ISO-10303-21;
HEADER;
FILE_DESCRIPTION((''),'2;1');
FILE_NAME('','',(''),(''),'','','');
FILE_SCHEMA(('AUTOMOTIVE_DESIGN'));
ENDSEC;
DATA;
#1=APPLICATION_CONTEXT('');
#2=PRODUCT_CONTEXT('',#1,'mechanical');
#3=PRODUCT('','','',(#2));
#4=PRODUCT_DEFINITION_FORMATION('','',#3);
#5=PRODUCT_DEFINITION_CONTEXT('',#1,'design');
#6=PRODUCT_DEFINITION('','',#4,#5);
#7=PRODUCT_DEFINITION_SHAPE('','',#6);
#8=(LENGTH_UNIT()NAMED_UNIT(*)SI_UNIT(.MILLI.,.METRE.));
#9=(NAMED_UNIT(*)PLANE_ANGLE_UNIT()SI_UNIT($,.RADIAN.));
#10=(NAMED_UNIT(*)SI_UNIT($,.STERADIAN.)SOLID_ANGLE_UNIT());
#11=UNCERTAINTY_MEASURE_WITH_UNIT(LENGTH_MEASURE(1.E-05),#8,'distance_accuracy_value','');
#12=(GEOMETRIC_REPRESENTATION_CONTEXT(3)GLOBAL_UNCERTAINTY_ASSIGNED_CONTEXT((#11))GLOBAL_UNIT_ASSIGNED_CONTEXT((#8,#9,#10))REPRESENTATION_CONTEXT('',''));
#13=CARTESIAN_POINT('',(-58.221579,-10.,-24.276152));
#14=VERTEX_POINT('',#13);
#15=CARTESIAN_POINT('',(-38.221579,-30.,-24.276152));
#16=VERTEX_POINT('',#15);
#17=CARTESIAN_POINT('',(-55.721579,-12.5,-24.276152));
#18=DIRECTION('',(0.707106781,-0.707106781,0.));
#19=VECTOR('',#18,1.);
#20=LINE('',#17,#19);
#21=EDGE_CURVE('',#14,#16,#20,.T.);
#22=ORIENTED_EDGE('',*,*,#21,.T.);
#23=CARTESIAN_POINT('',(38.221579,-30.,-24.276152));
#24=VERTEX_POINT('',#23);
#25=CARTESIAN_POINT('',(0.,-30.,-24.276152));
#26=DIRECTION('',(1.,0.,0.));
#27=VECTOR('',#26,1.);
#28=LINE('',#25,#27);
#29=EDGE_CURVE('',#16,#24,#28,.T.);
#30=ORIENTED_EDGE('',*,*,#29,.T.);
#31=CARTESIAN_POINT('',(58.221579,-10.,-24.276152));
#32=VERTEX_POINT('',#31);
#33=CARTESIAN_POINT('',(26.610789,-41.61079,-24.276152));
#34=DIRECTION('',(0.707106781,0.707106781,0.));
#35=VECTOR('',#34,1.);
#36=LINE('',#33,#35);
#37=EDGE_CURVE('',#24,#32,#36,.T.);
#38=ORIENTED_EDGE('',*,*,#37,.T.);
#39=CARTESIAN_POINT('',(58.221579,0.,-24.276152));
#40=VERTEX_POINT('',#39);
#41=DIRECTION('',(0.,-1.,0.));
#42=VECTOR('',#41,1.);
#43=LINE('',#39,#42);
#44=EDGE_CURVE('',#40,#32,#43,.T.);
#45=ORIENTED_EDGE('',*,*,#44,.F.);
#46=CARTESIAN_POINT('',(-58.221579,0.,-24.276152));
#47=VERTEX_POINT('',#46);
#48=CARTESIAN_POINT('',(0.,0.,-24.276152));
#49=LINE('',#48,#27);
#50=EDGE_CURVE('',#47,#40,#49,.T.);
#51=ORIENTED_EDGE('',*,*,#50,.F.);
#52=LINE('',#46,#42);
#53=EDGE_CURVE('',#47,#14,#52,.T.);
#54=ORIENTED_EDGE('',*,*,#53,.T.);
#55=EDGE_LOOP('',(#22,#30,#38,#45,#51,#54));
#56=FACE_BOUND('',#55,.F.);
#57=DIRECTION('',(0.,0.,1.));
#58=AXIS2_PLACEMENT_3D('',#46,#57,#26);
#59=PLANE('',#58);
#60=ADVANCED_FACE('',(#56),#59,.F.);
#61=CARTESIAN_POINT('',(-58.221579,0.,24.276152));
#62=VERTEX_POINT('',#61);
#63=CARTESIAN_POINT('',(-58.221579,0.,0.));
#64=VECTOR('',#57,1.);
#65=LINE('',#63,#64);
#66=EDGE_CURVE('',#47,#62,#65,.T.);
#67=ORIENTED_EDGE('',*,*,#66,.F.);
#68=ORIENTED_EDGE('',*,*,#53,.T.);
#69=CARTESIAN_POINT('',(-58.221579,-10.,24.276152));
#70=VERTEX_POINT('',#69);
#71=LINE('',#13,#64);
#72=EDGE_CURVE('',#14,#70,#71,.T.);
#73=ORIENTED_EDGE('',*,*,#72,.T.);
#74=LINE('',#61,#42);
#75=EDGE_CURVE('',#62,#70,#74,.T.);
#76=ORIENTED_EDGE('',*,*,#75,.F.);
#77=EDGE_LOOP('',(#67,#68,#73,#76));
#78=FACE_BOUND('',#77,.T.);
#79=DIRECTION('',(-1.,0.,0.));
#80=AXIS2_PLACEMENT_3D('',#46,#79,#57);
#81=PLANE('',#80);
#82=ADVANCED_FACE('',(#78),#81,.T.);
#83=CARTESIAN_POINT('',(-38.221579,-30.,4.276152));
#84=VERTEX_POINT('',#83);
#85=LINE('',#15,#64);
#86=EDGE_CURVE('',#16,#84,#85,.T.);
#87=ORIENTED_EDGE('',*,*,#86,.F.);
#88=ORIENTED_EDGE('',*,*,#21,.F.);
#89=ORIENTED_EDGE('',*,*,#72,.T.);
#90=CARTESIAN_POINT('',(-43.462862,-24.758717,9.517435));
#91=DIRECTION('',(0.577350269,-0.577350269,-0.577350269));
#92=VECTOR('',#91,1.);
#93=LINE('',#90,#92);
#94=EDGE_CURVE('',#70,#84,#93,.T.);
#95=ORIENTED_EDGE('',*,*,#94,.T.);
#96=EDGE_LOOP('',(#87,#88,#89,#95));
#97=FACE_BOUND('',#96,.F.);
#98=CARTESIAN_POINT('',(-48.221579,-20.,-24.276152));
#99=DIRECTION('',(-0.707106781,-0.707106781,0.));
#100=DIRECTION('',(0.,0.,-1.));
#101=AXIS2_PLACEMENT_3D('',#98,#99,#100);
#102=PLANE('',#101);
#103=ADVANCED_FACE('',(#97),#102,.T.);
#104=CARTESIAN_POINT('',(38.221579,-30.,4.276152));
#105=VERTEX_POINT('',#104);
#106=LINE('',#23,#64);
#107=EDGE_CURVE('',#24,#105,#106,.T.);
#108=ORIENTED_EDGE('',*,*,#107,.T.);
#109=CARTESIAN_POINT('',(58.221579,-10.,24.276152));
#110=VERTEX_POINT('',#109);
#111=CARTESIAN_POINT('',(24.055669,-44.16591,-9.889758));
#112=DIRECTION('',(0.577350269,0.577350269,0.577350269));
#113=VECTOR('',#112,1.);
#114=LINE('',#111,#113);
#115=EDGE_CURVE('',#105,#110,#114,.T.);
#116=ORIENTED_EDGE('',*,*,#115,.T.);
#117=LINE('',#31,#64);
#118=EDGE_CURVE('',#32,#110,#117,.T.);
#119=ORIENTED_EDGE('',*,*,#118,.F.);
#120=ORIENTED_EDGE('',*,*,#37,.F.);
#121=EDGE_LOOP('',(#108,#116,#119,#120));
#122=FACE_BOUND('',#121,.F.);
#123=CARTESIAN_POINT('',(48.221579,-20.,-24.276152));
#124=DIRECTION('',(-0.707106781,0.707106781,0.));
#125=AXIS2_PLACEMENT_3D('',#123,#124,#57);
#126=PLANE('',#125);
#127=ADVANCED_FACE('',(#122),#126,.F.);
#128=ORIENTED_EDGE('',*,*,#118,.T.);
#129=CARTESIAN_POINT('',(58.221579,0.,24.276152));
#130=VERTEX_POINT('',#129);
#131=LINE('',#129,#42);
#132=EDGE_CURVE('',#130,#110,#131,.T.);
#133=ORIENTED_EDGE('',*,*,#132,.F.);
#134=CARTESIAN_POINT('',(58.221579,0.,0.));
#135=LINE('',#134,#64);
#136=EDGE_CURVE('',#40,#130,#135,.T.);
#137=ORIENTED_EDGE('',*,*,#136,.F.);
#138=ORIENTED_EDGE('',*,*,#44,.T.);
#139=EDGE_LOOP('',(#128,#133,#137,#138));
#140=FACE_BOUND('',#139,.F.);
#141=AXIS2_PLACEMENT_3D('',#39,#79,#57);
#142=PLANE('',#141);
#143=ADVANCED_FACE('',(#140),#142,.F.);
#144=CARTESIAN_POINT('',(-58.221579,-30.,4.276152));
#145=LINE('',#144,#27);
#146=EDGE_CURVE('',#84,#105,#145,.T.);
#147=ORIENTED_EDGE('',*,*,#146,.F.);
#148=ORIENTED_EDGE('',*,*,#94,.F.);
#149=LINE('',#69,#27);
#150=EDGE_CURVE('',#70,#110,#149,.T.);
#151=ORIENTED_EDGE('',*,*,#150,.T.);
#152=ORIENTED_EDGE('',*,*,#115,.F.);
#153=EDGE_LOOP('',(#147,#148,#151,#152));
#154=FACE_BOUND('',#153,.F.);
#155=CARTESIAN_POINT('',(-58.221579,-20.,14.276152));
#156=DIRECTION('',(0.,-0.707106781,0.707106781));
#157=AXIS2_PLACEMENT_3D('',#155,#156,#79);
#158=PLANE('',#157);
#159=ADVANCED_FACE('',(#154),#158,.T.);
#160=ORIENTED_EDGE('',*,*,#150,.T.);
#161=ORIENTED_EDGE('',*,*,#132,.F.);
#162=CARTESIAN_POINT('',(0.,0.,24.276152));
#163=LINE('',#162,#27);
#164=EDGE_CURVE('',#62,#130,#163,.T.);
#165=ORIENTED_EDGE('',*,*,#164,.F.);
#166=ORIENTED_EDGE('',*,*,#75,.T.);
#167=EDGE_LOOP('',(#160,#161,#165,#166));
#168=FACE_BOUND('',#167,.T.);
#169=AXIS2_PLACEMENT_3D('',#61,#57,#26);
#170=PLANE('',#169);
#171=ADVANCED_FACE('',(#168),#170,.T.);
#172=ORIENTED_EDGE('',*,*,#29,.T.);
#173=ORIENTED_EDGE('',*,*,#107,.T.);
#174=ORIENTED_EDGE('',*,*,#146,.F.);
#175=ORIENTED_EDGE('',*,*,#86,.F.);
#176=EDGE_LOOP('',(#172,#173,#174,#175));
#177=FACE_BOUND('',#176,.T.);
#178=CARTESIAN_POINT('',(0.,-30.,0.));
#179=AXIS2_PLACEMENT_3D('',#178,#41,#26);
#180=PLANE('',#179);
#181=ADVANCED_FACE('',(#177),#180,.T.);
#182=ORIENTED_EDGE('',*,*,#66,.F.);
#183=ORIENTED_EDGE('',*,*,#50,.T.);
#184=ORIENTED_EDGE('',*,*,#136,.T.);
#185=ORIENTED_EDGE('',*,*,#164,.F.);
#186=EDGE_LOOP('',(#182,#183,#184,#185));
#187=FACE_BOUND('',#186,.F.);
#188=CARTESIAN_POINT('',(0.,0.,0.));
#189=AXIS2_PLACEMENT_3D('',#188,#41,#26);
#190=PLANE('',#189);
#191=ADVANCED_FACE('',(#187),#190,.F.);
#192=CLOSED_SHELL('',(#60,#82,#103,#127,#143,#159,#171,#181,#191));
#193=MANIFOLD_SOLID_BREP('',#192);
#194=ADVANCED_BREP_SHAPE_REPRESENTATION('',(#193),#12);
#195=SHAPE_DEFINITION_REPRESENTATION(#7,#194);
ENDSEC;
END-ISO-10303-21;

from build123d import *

# Parameters (mm, degrees)
F0_W     = 116.443158
F0_H     = 48.552304
F1_DEPTH = 30
F2_SIZE  = 20
F3_SIZE  = 20


with BuildPart() as f1:
    # F0 (on Front) → F1 (new body)
    with BuildSketch(Plane.XZ):
        Rectangle(F0_W, F0_H)
    extrude(amount=F1_DEPTH)

    # F2
    f2_edges = [f1.edges().sort_by_distance(p)[0] for p in [
        (0, -30, 24.276152),
    ]]
    chamfer(f2_edges, length=F2_SIZE)

    # F3
    f3_edges = [f1.edges().sort_by_distance(p)[0] for p in [
        (-58.221579, -30, -10),
        (58.221579, -30, -10),
    ]]
    chamfer(f3_edges, length=F3_SIZE)


solid = f1.part
